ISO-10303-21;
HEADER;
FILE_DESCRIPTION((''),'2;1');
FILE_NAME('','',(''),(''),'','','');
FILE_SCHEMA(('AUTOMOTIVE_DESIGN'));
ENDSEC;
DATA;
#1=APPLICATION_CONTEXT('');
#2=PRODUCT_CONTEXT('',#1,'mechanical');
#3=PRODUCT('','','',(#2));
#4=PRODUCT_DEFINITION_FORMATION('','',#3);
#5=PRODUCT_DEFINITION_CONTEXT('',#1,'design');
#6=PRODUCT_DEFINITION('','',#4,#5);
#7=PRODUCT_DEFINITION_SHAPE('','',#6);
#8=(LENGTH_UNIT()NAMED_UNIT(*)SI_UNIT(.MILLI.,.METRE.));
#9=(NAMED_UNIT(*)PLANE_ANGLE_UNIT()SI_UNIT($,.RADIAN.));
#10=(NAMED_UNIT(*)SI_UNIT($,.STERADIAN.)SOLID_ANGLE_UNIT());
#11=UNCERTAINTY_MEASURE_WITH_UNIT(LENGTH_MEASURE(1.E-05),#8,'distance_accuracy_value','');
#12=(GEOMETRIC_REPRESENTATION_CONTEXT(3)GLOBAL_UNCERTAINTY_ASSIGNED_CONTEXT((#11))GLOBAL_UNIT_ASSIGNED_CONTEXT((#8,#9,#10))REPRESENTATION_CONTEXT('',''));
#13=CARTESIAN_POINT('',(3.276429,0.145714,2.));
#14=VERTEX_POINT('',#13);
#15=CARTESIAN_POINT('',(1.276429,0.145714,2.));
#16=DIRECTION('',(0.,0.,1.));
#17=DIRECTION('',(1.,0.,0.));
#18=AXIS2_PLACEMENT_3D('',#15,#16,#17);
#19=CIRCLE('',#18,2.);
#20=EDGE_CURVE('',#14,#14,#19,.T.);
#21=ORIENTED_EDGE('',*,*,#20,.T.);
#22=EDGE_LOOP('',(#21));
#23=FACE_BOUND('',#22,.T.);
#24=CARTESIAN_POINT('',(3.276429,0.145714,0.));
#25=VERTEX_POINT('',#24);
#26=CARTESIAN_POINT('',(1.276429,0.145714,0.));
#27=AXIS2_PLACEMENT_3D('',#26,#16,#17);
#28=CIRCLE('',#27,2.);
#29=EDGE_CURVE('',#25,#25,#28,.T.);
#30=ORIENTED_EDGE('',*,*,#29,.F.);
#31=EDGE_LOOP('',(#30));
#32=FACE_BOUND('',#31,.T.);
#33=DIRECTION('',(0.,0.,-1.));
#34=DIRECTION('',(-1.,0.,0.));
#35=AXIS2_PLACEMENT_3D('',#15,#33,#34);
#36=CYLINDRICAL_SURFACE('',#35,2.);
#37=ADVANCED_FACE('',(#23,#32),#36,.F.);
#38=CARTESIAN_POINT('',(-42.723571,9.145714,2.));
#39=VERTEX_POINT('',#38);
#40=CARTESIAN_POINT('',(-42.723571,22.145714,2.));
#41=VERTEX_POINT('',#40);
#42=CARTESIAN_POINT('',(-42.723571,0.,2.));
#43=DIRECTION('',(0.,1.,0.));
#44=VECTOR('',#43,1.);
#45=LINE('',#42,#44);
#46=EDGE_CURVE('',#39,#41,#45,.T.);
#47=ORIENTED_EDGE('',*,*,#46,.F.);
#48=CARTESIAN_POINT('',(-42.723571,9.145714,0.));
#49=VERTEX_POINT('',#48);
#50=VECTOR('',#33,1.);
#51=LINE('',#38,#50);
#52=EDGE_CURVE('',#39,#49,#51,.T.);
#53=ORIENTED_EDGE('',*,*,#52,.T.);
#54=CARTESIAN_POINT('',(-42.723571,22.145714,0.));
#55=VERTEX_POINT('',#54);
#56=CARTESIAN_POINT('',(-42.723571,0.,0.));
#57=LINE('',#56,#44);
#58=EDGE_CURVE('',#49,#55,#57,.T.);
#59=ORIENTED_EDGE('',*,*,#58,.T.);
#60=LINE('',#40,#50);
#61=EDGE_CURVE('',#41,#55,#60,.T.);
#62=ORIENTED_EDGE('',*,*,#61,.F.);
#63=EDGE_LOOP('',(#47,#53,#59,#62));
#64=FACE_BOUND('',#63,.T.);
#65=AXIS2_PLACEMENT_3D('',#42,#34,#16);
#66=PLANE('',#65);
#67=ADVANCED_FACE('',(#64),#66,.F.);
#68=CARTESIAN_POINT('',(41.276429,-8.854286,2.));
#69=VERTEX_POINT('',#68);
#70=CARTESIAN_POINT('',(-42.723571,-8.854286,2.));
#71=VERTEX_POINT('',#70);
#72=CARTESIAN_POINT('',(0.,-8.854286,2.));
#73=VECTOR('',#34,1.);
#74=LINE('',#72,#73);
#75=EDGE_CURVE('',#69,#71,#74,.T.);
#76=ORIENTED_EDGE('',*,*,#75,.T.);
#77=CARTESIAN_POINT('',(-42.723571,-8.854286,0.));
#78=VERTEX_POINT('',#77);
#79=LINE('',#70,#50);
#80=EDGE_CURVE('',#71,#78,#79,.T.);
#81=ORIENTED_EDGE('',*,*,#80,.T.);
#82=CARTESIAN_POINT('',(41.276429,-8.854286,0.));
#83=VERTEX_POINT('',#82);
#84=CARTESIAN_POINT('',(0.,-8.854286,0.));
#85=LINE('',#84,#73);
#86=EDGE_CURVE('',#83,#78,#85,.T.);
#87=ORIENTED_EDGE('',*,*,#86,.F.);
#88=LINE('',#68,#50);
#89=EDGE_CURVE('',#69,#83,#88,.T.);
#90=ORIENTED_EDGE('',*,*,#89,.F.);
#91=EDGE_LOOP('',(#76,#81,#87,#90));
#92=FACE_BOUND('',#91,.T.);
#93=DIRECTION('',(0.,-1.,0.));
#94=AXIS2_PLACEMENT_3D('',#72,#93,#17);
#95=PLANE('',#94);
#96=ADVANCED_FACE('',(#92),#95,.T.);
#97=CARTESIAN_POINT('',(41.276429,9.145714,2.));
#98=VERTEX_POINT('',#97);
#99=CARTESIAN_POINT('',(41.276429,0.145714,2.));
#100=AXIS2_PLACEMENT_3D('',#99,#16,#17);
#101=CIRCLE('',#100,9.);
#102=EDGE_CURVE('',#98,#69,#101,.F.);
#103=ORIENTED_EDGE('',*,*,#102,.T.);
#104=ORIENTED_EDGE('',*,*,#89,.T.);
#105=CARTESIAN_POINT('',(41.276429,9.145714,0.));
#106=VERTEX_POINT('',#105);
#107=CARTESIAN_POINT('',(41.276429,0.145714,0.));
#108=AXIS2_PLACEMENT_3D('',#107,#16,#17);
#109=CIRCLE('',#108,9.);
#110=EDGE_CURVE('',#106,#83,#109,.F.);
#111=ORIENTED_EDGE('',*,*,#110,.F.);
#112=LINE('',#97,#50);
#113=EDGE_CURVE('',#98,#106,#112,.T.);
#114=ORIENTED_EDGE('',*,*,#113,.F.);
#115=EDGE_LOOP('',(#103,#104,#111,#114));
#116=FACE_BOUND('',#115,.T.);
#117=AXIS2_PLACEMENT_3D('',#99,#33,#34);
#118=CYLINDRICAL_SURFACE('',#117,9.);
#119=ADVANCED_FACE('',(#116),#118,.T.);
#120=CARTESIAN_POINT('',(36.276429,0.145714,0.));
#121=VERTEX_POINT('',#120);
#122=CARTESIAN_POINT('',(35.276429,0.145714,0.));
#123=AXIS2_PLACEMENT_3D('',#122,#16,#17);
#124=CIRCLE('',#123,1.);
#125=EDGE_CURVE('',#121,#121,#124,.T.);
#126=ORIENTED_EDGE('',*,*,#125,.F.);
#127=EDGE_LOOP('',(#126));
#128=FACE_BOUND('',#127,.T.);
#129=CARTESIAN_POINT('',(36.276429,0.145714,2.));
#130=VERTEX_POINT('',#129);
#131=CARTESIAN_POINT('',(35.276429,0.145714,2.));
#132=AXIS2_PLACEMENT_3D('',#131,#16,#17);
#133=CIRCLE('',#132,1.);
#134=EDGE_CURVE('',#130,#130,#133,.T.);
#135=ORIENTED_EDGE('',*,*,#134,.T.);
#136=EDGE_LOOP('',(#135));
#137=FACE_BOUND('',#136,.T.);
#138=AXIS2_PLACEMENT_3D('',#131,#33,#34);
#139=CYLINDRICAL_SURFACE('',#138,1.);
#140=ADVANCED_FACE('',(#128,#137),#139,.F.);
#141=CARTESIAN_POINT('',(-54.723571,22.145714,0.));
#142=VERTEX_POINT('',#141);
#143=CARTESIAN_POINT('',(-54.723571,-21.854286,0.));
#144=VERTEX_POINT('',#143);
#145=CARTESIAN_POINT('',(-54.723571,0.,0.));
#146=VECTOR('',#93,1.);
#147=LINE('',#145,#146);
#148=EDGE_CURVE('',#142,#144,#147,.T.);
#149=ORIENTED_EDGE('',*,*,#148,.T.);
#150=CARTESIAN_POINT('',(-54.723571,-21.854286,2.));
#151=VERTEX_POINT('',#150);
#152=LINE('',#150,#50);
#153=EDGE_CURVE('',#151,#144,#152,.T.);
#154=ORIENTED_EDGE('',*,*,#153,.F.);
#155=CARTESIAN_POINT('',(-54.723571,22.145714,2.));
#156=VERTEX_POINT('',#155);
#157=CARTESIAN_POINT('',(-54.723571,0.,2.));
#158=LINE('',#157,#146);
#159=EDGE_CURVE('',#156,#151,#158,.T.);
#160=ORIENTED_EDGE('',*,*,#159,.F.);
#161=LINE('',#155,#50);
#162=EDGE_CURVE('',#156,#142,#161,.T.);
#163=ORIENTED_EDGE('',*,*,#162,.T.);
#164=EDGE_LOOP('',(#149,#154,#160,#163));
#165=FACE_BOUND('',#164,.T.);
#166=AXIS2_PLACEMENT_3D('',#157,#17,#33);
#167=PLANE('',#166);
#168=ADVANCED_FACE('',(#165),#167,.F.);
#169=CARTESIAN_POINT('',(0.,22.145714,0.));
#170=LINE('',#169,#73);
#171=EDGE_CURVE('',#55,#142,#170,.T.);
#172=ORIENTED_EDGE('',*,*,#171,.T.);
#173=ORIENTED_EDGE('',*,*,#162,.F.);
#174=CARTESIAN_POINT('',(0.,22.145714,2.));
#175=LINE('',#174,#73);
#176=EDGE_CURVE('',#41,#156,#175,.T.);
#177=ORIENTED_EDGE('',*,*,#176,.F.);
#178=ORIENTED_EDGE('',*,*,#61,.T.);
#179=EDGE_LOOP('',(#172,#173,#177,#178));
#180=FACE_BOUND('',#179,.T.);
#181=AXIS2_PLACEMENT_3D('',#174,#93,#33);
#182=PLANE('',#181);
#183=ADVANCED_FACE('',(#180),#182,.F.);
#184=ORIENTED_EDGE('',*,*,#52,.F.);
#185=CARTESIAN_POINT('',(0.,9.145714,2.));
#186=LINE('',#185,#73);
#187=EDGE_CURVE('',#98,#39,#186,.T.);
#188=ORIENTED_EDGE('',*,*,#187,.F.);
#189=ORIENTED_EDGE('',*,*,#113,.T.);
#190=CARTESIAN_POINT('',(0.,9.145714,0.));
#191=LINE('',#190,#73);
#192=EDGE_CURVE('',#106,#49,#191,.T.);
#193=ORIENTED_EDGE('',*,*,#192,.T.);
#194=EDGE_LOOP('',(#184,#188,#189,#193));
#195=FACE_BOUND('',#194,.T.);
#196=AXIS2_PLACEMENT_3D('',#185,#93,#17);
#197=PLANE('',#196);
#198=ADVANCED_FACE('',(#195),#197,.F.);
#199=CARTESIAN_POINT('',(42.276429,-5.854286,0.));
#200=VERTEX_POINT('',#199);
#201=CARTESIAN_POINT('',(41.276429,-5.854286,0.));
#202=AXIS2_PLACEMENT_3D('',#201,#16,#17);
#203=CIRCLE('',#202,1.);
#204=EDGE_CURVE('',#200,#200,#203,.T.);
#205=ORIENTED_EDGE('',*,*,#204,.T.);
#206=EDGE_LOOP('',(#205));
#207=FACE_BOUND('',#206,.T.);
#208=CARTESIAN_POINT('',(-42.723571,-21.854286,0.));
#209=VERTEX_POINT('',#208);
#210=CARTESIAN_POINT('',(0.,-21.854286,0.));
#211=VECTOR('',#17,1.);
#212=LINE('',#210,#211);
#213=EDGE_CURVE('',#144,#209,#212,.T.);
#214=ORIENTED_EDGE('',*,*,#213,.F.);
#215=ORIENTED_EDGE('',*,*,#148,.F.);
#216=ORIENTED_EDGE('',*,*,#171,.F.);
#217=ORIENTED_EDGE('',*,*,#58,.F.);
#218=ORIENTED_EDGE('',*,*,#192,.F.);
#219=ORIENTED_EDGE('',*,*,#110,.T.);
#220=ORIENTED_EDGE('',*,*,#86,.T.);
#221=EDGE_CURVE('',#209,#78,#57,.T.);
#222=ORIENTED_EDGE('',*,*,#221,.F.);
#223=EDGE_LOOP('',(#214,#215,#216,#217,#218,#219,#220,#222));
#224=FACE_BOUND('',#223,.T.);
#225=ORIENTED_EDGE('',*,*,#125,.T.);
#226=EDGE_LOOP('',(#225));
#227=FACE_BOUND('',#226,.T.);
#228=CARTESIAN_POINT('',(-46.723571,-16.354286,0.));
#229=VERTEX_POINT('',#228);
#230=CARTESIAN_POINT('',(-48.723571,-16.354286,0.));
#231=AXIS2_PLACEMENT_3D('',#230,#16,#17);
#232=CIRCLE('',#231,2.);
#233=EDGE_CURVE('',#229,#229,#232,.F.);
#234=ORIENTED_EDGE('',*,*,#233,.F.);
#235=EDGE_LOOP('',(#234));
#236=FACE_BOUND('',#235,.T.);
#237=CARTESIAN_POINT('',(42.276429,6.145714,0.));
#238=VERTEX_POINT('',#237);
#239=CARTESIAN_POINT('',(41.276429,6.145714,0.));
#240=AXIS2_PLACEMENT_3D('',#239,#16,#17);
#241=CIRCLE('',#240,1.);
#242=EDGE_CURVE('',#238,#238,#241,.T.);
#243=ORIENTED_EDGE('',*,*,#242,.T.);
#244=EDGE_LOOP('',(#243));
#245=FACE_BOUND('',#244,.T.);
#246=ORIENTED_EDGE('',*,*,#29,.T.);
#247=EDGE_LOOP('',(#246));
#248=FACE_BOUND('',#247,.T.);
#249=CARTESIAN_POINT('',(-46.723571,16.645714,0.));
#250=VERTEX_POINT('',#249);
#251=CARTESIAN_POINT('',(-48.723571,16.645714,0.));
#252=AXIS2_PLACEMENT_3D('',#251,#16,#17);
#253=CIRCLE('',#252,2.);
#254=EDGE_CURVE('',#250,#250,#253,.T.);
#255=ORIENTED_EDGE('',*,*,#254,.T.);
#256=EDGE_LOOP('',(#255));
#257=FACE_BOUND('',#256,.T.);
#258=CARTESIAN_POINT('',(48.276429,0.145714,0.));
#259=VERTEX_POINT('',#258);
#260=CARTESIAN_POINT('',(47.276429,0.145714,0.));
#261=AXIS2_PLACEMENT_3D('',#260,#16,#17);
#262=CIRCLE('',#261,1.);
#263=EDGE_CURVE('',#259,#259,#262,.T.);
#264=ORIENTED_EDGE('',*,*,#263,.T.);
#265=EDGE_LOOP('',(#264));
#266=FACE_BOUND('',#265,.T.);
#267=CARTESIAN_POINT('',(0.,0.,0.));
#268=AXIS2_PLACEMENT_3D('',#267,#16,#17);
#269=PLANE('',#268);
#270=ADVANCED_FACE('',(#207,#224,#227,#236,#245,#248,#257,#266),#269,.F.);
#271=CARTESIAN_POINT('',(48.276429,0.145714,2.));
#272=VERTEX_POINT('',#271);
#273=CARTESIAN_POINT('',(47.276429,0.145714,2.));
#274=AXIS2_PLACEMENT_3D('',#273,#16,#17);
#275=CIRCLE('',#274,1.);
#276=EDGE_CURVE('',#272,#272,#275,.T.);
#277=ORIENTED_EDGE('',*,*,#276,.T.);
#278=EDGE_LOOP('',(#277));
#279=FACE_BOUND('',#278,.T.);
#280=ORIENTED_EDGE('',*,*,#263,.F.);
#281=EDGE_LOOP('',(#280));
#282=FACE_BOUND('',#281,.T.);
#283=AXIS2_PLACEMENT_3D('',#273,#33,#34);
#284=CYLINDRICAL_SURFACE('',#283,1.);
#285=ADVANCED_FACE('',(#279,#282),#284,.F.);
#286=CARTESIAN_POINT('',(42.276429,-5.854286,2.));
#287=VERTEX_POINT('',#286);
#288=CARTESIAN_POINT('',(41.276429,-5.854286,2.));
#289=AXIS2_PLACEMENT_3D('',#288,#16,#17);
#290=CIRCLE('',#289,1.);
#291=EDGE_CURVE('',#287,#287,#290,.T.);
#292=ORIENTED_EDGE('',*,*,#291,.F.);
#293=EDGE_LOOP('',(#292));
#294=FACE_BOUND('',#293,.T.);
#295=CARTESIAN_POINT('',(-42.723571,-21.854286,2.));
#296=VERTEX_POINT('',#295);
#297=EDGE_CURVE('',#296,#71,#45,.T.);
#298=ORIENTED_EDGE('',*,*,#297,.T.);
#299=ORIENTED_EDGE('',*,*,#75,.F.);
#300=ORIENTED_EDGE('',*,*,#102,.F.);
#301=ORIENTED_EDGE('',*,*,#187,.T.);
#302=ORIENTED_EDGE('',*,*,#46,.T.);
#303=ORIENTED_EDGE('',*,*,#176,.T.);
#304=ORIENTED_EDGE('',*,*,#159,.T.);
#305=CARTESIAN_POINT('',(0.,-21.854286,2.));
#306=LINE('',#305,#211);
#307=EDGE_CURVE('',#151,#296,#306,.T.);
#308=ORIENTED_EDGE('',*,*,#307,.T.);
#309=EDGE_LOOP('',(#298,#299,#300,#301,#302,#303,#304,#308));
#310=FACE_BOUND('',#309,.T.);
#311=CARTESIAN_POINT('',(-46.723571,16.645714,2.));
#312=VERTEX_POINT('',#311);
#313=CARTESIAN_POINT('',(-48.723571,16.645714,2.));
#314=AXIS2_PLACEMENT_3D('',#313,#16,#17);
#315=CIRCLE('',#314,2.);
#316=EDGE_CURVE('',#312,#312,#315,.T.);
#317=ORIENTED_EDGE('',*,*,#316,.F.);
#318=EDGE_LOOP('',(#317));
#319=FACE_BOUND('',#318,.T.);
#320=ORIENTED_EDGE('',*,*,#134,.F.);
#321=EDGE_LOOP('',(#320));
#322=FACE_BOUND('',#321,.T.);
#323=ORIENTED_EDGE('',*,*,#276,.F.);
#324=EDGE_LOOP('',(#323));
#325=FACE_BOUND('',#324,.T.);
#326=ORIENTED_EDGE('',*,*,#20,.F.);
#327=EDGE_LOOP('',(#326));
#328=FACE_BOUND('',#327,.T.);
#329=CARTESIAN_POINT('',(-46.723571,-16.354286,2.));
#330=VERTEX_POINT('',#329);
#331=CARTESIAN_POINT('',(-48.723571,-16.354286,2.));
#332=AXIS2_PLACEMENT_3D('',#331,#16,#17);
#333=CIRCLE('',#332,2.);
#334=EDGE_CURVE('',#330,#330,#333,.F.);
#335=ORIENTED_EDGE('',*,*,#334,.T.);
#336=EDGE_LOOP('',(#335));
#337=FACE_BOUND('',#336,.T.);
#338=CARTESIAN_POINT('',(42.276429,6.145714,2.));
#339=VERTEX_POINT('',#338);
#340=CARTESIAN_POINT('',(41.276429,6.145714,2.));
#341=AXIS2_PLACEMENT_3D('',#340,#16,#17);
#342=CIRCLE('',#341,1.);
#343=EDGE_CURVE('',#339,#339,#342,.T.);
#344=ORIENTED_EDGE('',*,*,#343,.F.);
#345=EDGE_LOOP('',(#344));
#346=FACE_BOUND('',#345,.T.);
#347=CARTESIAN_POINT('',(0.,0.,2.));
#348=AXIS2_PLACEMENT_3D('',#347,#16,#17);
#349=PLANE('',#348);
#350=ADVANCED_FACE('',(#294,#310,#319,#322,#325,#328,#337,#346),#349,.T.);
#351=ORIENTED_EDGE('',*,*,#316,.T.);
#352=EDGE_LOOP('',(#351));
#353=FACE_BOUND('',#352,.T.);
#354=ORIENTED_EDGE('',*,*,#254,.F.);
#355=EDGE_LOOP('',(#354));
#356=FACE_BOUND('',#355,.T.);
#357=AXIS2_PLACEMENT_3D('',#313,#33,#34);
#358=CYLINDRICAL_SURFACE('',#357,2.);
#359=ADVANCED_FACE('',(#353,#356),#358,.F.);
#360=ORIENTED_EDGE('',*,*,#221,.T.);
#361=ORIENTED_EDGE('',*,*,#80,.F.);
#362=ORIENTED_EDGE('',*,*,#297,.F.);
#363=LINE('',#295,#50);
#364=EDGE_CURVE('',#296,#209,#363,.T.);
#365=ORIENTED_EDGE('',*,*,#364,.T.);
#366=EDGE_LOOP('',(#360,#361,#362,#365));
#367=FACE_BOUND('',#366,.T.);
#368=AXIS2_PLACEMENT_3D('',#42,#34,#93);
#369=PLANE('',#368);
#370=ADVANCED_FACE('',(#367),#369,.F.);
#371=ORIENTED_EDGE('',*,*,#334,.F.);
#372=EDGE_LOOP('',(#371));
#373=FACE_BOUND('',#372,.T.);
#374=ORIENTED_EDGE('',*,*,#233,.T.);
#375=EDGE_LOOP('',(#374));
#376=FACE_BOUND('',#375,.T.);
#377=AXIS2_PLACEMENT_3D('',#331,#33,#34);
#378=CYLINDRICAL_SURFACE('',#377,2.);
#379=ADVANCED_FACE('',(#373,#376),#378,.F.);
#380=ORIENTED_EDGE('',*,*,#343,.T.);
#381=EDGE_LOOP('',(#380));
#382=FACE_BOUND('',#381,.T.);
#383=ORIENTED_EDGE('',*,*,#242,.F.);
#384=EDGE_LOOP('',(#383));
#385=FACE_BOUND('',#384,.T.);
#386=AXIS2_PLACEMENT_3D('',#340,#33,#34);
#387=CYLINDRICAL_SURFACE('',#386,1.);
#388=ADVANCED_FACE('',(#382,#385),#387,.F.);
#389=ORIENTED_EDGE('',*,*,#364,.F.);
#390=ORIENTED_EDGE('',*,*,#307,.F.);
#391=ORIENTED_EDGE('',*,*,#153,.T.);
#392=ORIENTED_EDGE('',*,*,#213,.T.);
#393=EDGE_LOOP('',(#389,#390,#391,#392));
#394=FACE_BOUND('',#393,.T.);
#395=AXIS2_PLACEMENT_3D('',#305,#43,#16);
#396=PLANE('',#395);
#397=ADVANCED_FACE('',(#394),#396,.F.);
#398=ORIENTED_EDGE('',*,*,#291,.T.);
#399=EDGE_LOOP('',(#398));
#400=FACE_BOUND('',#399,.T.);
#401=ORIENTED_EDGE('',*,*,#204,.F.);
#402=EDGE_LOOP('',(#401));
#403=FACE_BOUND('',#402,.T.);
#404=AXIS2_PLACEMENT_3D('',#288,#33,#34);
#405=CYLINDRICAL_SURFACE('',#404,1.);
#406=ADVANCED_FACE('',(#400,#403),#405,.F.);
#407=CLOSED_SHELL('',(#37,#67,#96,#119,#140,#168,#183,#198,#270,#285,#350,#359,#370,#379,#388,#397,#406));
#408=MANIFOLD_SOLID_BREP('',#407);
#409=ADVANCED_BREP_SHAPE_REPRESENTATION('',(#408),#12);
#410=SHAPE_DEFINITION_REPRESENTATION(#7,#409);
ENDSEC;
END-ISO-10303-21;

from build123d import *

# Parameters (mm, degrees)
SKETCH_1_R      = 2
SKETCH_1_R_2    = 1
EXTRUDE_1_DEPTH = 2


with BuildPart() as part:
    # 草图1 → 凸台-拉伸1 (new body)
    with BuildSketch(Plane.XY):
        with BuildLine():
            Line((41.276428571, -8.854285714), (-42.723571429, -8.854285714))
            Line((-42.723571429, -8.854285714), (-42.723571429, -21.854285714))
            Line((-42.723571429, -21.854285714), (-54.723571429, -21.854285714))
            Line((-54.723571429, -21.854285714), (-54.723571429, 22.145714286))
            Line((-54.723571429, 22.145714286), (-42.723571429, 22.145714286))
            Line((-42.723571429, 22.145714286), (-42.723571429, 9.145714286))
            Line((-42.723571429, 9.145714286), (41.276428571, 9.145714286))
            ThreePointArc((41.276428571, 9.145714286), (50.276428571, 0.145714286), (41.276428571, -8.854285714))
        make_face()
        with Locations((1.276428571, 0.145714286)):
            Circle(SKETCH_1_R, mode=Mode.SUBTRACT)
        with Locations((-48.723571429, 16.645714286)):
            Circle(SKETCH_1_R, mode=Mode.SUBTRACT)
        with Locations((-48.723571429, -16.354285714)):
            Circle(SKETCH_1_R, mode=Mode.SUBTRACT)
        with Locations((41.276428571, 6.145714286)):
            Circle(SKETCH_1_R_2, mode=Mode.SUBTRACT)
        with Locations((47.276428571, 0.145714286)):
            Circle(SKETCH_1_R_2, mode=Mode.SUBTRACT)
        with Locations((41.276428571, -5.854285714)):
            Circle(SKETCH_1_R_2, mode=Mode.SUBTRACT)
        with Locations((35.276428571, 0.145714286)):
            Circle(SKETCH_1_R_2, mode=Mode.SUBTRACT)
    extrude(amount=EXTRUDE_1_DEPTH)


solid = part.part
